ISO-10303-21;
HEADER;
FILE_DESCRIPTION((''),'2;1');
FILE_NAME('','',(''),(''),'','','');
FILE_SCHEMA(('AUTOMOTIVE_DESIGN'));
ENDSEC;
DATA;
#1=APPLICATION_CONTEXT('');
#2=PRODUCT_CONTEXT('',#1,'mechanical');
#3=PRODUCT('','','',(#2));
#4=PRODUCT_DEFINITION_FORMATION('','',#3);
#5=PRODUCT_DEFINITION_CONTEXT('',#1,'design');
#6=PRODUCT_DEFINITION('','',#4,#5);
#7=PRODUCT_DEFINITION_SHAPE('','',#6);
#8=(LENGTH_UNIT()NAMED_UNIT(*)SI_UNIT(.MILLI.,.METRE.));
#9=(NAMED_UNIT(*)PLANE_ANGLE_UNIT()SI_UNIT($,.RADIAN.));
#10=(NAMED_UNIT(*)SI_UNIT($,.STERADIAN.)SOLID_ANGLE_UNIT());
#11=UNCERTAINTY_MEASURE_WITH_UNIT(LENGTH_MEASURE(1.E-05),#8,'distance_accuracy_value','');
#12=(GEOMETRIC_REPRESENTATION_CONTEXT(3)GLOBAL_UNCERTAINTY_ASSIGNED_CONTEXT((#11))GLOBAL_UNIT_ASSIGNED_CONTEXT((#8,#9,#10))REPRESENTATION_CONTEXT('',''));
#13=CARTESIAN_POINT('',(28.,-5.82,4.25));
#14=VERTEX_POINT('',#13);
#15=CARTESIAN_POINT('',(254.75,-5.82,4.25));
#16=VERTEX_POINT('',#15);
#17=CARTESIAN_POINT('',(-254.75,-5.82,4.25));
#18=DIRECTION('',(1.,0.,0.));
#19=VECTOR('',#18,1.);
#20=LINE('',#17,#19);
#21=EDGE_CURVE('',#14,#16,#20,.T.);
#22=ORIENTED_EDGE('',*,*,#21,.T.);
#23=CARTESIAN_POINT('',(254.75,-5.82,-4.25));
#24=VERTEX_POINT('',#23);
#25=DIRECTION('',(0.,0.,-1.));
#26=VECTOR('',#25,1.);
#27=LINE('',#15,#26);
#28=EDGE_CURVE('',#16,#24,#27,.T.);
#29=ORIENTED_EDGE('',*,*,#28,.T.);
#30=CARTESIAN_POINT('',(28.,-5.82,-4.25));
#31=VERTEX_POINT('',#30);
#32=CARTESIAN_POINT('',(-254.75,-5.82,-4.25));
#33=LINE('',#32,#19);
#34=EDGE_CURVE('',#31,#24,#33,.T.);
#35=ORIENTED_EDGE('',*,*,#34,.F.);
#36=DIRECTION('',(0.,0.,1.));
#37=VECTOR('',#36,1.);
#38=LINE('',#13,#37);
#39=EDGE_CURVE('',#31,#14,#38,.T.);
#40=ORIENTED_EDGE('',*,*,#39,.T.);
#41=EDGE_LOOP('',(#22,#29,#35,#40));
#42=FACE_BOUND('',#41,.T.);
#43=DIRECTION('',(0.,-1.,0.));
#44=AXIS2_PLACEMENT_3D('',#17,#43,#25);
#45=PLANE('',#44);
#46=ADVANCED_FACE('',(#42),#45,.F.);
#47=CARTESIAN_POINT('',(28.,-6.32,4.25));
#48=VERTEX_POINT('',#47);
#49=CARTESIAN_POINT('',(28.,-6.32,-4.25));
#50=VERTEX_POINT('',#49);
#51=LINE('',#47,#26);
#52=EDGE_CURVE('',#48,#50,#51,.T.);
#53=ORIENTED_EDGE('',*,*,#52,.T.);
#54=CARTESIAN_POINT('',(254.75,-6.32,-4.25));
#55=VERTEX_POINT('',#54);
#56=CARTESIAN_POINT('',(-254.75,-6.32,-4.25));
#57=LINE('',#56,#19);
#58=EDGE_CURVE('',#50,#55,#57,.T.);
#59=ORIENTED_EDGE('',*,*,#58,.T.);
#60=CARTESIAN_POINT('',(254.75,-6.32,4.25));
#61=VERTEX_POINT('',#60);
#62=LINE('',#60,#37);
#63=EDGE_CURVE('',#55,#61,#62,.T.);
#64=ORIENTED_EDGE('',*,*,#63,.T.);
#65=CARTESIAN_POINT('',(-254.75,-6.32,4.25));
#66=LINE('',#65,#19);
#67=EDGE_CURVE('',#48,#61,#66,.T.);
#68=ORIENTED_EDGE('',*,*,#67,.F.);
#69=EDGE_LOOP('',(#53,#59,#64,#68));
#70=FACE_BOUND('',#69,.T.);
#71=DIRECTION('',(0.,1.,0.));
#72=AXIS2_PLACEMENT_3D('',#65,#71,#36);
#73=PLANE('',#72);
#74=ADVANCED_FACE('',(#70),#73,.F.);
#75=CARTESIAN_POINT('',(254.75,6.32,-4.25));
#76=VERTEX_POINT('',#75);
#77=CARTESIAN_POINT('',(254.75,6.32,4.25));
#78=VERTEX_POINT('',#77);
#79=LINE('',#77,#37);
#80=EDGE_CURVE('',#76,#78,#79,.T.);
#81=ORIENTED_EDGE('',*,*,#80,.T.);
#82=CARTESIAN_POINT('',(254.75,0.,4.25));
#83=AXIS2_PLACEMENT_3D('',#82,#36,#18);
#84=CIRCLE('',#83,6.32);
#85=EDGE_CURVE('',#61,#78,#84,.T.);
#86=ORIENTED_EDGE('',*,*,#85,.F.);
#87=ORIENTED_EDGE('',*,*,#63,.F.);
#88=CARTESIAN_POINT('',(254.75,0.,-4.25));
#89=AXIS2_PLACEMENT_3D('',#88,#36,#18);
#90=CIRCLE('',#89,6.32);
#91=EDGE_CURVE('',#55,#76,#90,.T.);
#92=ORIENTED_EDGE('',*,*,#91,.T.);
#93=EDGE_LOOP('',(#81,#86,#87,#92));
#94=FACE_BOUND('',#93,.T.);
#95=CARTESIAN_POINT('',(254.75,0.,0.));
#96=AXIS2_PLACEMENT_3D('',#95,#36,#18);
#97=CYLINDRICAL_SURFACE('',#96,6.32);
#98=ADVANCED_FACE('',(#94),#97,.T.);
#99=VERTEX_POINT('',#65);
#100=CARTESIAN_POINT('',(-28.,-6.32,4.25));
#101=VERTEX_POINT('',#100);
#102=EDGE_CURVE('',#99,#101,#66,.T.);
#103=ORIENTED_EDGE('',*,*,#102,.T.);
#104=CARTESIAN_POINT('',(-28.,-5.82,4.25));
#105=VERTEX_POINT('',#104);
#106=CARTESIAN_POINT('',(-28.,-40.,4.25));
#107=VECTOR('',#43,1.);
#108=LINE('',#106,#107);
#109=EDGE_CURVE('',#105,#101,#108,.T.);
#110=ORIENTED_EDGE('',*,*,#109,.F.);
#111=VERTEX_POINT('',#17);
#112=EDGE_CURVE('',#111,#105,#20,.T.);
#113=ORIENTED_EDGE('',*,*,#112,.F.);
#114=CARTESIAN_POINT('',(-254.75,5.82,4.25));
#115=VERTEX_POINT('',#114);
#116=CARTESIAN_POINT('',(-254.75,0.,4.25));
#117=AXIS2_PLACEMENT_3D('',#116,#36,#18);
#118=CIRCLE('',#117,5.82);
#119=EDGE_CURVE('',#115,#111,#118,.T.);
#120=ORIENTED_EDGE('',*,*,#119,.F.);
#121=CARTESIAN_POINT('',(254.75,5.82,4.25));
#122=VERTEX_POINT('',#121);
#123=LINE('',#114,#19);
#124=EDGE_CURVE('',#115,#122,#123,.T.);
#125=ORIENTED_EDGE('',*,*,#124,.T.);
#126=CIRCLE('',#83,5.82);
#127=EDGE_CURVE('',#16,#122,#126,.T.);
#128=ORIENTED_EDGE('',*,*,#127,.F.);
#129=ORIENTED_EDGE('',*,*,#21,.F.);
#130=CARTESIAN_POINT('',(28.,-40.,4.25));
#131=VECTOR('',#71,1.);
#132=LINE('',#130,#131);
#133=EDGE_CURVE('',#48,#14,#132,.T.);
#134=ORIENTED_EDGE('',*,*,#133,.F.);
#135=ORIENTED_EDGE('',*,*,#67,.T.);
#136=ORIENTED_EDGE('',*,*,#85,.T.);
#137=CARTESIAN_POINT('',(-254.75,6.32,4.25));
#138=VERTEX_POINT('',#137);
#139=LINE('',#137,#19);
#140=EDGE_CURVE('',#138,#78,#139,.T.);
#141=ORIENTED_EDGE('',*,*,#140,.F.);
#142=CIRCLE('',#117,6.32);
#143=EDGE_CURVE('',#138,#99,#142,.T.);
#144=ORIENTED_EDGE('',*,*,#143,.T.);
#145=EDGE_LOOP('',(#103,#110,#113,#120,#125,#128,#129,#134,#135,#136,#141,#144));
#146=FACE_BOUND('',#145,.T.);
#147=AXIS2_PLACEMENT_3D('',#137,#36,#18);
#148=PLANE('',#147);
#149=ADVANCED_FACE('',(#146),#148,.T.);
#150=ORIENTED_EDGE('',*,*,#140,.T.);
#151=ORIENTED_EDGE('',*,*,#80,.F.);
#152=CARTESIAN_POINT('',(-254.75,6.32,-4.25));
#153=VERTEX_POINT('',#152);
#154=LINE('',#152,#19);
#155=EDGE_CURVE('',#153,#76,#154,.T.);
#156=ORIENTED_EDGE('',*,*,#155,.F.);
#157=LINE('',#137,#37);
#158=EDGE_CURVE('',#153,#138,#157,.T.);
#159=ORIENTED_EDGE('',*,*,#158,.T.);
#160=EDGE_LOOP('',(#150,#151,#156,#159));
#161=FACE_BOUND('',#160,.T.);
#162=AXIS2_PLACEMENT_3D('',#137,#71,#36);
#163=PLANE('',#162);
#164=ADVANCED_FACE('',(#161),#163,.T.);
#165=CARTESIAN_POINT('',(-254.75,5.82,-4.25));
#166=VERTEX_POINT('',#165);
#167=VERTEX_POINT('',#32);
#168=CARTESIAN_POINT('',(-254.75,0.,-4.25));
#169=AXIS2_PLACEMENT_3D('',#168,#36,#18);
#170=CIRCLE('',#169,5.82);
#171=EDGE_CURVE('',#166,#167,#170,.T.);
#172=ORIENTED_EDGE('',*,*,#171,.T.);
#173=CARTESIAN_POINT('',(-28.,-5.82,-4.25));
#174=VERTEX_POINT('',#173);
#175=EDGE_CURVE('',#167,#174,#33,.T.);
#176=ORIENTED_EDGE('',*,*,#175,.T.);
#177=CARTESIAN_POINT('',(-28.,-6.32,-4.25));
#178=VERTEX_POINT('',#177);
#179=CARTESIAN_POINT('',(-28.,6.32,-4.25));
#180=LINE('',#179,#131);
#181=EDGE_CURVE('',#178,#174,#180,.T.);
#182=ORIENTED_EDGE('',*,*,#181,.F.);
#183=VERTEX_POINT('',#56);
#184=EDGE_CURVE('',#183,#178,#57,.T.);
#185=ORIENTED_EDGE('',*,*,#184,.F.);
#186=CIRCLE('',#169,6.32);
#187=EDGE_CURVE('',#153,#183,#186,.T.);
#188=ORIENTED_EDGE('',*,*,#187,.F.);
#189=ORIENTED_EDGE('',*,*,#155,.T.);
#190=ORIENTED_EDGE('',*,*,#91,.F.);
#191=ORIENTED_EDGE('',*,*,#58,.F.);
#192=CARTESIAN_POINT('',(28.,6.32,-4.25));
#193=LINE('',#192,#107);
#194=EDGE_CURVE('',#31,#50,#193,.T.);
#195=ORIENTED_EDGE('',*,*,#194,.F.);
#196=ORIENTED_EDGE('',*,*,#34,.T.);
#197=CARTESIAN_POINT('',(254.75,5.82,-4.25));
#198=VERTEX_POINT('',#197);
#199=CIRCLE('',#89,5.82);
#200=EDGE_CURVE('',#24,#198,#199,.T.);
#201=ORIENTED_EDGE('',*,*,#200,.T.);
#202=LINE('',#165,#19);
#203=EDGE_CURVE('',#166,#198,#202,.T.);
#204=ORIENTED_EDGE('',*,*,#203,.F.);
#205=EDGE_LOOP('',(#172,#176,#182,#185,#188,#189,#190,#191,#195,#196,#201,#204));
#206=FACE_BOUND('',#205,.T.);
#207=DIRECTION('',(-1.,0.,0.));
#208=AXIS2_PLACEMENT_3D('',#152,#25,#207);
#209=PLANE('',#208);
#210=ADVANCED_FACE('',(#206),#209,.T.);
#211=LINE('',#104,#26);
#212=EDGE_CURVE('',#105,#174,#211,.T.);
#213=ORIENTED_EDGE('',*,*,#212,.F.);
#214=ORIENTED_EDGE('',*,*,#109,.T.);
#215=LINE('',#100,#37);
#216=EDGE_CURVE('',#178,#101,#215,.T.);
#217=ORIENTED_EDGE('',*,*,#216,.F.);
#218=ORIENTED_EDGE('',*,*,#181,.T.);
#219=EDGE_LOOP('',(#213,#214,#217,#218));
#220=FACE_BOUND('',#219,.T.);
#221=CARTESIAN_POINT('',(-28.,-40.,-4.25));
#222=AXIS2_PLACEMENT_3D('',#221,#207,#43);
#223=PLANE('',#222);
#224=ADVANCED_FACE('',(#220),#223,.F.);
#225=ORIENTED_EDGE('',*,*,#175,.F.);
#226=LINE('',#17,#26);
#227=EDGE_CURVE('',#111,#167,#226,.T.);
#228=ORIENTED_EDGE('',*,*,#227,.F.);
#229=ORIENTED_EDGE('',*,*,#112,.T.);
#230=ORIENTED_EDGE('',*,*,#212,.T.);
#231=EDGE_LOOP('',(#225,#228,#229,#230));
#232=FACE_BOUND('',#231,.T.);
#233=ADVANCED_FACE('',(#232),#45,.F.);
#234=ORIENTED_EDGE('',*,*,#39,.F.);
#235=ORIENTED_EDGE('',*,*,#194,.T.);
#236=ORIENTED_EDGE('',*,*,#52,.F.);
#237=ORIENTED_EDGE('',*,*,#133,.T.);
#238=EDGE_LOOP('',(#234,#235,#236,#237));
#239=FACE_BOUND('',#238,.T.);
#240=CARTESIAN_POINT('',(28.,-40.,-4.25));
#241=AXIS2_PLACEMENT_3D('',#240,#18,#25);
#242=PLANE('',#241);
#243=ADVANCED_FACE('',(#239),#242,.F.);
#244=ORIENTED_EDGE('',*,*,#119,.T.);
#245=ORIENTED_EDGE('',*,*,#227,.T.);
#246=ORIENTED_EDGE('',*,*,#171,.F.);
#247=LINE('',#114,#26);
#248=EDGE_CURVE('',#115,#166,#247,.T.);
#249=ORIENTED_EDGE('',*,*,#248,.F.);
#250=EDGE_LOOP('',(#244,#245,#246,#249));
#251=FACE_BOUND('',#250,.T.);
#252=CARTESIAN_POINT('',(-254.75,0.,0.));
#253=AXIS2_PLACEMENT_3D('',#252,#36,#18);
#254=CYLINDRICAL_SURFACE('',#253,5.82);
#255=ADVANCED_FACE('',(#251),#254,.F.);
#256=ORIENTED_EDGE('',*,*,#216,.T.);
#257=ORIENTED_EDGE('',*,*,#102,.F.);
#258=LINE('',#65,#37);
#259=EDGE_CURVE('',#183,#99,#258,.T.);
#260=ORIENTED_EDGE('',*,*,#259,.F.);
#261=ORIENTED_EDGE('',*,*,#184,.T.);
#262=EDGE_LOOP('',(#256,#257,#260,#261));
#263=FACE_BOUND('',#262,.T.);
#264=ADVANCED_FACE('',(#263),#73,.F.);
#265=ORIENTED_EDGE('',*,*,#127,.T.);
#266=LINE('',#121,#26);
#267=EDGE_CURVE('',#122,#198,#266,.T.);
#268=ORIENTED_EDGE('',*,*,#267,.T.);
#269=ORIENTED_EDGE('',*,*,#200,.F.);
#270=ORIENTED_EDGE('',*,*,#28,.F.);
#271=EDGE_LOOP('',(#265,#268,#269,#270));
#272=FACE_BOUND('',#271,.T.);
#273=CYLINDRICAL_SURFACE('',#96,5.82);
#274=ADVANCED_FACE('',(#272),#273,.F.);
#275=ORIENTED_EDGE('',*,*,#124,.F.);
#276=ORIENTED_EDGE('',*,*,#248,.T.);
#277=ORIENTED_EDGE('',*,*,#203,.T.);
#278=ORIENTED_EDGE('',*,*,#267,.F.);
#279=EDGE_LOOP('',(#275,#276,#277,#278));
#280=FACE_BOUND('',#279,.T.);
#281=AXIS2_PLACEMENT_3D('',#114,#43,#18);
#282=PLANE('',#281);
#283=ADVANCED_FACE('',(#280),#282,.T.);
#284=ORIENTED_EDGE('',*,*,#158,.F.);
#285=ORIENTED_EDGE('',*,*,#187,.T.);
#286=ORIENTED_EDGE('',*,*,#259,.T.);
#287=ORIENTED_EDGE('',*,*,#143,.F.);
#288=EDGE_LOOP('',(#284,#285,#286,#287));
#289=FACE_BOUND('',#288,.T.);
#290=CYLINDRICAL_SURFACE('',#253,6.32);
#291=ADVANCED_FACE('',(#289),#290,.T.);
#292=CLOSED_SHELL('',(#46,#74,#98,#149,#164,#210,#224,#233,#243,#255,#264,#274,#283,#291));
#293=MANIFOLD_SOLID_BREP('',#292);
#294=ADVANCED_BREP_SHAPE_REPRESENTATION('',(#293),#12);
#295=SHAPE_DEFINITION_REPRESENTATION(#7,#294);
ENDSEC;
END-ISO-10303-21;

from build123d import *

# Parameters (mm, degrees)
SKETCH2_W               = 8.5
SKETCH2_H               = 0.5
CUT_EXTRUDE1_DEPTH      = 262.181067078
CUT_EXTRUDE1_DEPTH_BACK = 262.181067078
SKETCH3_W               = 56
SKETCH3_H               = 40


with BuildPart() as part:
    # Sweep1: sweep along a path in Sketch1
    with BuildLine(Plane.XY) as sweep1_path:
        Line((-254.75, 5.82), (254.75, 5.82))
        ThreePointArc((254.75, 5.82), (260.57, 0), (254.75, -5.82))
        Line((254.75, -5.82), (-254.75, -5.82))
        ThreePointArc((-254.75, -5.82), (-260.57, 0), (-254.75, 5.82))
    # Sketch2 → Sweep1 (sweep)
    with BuildSketch(Plane(origin=(0, 0, 0), x_dir=(0, 0, -1), z_dir=(1, 0, 0))):
        with Locations((0, 6.07)):
            Rectangle(SKETCH2_W, SKETCH2_H)
    sweep(path=sweep1_path.line)

    # Sketch3 → Cut-Extrude1 (cut, two sides: drawn at the far end of the back side and taken through both)
    with BuildSketch(Plane.XY.offset(-CUT_EXTRUDE1_DEPTH_BACK)):
        with Locations((0, -20)):
            Rectangle(SKETCH3_W, SKETCH3_H)
    extrude(amount=CUT_EXTRUDE1_DEPTH + CUT_EXTRUDE1_DEPTH_BACK, mode=Mode.SUBTRACT)


solid = part.part
